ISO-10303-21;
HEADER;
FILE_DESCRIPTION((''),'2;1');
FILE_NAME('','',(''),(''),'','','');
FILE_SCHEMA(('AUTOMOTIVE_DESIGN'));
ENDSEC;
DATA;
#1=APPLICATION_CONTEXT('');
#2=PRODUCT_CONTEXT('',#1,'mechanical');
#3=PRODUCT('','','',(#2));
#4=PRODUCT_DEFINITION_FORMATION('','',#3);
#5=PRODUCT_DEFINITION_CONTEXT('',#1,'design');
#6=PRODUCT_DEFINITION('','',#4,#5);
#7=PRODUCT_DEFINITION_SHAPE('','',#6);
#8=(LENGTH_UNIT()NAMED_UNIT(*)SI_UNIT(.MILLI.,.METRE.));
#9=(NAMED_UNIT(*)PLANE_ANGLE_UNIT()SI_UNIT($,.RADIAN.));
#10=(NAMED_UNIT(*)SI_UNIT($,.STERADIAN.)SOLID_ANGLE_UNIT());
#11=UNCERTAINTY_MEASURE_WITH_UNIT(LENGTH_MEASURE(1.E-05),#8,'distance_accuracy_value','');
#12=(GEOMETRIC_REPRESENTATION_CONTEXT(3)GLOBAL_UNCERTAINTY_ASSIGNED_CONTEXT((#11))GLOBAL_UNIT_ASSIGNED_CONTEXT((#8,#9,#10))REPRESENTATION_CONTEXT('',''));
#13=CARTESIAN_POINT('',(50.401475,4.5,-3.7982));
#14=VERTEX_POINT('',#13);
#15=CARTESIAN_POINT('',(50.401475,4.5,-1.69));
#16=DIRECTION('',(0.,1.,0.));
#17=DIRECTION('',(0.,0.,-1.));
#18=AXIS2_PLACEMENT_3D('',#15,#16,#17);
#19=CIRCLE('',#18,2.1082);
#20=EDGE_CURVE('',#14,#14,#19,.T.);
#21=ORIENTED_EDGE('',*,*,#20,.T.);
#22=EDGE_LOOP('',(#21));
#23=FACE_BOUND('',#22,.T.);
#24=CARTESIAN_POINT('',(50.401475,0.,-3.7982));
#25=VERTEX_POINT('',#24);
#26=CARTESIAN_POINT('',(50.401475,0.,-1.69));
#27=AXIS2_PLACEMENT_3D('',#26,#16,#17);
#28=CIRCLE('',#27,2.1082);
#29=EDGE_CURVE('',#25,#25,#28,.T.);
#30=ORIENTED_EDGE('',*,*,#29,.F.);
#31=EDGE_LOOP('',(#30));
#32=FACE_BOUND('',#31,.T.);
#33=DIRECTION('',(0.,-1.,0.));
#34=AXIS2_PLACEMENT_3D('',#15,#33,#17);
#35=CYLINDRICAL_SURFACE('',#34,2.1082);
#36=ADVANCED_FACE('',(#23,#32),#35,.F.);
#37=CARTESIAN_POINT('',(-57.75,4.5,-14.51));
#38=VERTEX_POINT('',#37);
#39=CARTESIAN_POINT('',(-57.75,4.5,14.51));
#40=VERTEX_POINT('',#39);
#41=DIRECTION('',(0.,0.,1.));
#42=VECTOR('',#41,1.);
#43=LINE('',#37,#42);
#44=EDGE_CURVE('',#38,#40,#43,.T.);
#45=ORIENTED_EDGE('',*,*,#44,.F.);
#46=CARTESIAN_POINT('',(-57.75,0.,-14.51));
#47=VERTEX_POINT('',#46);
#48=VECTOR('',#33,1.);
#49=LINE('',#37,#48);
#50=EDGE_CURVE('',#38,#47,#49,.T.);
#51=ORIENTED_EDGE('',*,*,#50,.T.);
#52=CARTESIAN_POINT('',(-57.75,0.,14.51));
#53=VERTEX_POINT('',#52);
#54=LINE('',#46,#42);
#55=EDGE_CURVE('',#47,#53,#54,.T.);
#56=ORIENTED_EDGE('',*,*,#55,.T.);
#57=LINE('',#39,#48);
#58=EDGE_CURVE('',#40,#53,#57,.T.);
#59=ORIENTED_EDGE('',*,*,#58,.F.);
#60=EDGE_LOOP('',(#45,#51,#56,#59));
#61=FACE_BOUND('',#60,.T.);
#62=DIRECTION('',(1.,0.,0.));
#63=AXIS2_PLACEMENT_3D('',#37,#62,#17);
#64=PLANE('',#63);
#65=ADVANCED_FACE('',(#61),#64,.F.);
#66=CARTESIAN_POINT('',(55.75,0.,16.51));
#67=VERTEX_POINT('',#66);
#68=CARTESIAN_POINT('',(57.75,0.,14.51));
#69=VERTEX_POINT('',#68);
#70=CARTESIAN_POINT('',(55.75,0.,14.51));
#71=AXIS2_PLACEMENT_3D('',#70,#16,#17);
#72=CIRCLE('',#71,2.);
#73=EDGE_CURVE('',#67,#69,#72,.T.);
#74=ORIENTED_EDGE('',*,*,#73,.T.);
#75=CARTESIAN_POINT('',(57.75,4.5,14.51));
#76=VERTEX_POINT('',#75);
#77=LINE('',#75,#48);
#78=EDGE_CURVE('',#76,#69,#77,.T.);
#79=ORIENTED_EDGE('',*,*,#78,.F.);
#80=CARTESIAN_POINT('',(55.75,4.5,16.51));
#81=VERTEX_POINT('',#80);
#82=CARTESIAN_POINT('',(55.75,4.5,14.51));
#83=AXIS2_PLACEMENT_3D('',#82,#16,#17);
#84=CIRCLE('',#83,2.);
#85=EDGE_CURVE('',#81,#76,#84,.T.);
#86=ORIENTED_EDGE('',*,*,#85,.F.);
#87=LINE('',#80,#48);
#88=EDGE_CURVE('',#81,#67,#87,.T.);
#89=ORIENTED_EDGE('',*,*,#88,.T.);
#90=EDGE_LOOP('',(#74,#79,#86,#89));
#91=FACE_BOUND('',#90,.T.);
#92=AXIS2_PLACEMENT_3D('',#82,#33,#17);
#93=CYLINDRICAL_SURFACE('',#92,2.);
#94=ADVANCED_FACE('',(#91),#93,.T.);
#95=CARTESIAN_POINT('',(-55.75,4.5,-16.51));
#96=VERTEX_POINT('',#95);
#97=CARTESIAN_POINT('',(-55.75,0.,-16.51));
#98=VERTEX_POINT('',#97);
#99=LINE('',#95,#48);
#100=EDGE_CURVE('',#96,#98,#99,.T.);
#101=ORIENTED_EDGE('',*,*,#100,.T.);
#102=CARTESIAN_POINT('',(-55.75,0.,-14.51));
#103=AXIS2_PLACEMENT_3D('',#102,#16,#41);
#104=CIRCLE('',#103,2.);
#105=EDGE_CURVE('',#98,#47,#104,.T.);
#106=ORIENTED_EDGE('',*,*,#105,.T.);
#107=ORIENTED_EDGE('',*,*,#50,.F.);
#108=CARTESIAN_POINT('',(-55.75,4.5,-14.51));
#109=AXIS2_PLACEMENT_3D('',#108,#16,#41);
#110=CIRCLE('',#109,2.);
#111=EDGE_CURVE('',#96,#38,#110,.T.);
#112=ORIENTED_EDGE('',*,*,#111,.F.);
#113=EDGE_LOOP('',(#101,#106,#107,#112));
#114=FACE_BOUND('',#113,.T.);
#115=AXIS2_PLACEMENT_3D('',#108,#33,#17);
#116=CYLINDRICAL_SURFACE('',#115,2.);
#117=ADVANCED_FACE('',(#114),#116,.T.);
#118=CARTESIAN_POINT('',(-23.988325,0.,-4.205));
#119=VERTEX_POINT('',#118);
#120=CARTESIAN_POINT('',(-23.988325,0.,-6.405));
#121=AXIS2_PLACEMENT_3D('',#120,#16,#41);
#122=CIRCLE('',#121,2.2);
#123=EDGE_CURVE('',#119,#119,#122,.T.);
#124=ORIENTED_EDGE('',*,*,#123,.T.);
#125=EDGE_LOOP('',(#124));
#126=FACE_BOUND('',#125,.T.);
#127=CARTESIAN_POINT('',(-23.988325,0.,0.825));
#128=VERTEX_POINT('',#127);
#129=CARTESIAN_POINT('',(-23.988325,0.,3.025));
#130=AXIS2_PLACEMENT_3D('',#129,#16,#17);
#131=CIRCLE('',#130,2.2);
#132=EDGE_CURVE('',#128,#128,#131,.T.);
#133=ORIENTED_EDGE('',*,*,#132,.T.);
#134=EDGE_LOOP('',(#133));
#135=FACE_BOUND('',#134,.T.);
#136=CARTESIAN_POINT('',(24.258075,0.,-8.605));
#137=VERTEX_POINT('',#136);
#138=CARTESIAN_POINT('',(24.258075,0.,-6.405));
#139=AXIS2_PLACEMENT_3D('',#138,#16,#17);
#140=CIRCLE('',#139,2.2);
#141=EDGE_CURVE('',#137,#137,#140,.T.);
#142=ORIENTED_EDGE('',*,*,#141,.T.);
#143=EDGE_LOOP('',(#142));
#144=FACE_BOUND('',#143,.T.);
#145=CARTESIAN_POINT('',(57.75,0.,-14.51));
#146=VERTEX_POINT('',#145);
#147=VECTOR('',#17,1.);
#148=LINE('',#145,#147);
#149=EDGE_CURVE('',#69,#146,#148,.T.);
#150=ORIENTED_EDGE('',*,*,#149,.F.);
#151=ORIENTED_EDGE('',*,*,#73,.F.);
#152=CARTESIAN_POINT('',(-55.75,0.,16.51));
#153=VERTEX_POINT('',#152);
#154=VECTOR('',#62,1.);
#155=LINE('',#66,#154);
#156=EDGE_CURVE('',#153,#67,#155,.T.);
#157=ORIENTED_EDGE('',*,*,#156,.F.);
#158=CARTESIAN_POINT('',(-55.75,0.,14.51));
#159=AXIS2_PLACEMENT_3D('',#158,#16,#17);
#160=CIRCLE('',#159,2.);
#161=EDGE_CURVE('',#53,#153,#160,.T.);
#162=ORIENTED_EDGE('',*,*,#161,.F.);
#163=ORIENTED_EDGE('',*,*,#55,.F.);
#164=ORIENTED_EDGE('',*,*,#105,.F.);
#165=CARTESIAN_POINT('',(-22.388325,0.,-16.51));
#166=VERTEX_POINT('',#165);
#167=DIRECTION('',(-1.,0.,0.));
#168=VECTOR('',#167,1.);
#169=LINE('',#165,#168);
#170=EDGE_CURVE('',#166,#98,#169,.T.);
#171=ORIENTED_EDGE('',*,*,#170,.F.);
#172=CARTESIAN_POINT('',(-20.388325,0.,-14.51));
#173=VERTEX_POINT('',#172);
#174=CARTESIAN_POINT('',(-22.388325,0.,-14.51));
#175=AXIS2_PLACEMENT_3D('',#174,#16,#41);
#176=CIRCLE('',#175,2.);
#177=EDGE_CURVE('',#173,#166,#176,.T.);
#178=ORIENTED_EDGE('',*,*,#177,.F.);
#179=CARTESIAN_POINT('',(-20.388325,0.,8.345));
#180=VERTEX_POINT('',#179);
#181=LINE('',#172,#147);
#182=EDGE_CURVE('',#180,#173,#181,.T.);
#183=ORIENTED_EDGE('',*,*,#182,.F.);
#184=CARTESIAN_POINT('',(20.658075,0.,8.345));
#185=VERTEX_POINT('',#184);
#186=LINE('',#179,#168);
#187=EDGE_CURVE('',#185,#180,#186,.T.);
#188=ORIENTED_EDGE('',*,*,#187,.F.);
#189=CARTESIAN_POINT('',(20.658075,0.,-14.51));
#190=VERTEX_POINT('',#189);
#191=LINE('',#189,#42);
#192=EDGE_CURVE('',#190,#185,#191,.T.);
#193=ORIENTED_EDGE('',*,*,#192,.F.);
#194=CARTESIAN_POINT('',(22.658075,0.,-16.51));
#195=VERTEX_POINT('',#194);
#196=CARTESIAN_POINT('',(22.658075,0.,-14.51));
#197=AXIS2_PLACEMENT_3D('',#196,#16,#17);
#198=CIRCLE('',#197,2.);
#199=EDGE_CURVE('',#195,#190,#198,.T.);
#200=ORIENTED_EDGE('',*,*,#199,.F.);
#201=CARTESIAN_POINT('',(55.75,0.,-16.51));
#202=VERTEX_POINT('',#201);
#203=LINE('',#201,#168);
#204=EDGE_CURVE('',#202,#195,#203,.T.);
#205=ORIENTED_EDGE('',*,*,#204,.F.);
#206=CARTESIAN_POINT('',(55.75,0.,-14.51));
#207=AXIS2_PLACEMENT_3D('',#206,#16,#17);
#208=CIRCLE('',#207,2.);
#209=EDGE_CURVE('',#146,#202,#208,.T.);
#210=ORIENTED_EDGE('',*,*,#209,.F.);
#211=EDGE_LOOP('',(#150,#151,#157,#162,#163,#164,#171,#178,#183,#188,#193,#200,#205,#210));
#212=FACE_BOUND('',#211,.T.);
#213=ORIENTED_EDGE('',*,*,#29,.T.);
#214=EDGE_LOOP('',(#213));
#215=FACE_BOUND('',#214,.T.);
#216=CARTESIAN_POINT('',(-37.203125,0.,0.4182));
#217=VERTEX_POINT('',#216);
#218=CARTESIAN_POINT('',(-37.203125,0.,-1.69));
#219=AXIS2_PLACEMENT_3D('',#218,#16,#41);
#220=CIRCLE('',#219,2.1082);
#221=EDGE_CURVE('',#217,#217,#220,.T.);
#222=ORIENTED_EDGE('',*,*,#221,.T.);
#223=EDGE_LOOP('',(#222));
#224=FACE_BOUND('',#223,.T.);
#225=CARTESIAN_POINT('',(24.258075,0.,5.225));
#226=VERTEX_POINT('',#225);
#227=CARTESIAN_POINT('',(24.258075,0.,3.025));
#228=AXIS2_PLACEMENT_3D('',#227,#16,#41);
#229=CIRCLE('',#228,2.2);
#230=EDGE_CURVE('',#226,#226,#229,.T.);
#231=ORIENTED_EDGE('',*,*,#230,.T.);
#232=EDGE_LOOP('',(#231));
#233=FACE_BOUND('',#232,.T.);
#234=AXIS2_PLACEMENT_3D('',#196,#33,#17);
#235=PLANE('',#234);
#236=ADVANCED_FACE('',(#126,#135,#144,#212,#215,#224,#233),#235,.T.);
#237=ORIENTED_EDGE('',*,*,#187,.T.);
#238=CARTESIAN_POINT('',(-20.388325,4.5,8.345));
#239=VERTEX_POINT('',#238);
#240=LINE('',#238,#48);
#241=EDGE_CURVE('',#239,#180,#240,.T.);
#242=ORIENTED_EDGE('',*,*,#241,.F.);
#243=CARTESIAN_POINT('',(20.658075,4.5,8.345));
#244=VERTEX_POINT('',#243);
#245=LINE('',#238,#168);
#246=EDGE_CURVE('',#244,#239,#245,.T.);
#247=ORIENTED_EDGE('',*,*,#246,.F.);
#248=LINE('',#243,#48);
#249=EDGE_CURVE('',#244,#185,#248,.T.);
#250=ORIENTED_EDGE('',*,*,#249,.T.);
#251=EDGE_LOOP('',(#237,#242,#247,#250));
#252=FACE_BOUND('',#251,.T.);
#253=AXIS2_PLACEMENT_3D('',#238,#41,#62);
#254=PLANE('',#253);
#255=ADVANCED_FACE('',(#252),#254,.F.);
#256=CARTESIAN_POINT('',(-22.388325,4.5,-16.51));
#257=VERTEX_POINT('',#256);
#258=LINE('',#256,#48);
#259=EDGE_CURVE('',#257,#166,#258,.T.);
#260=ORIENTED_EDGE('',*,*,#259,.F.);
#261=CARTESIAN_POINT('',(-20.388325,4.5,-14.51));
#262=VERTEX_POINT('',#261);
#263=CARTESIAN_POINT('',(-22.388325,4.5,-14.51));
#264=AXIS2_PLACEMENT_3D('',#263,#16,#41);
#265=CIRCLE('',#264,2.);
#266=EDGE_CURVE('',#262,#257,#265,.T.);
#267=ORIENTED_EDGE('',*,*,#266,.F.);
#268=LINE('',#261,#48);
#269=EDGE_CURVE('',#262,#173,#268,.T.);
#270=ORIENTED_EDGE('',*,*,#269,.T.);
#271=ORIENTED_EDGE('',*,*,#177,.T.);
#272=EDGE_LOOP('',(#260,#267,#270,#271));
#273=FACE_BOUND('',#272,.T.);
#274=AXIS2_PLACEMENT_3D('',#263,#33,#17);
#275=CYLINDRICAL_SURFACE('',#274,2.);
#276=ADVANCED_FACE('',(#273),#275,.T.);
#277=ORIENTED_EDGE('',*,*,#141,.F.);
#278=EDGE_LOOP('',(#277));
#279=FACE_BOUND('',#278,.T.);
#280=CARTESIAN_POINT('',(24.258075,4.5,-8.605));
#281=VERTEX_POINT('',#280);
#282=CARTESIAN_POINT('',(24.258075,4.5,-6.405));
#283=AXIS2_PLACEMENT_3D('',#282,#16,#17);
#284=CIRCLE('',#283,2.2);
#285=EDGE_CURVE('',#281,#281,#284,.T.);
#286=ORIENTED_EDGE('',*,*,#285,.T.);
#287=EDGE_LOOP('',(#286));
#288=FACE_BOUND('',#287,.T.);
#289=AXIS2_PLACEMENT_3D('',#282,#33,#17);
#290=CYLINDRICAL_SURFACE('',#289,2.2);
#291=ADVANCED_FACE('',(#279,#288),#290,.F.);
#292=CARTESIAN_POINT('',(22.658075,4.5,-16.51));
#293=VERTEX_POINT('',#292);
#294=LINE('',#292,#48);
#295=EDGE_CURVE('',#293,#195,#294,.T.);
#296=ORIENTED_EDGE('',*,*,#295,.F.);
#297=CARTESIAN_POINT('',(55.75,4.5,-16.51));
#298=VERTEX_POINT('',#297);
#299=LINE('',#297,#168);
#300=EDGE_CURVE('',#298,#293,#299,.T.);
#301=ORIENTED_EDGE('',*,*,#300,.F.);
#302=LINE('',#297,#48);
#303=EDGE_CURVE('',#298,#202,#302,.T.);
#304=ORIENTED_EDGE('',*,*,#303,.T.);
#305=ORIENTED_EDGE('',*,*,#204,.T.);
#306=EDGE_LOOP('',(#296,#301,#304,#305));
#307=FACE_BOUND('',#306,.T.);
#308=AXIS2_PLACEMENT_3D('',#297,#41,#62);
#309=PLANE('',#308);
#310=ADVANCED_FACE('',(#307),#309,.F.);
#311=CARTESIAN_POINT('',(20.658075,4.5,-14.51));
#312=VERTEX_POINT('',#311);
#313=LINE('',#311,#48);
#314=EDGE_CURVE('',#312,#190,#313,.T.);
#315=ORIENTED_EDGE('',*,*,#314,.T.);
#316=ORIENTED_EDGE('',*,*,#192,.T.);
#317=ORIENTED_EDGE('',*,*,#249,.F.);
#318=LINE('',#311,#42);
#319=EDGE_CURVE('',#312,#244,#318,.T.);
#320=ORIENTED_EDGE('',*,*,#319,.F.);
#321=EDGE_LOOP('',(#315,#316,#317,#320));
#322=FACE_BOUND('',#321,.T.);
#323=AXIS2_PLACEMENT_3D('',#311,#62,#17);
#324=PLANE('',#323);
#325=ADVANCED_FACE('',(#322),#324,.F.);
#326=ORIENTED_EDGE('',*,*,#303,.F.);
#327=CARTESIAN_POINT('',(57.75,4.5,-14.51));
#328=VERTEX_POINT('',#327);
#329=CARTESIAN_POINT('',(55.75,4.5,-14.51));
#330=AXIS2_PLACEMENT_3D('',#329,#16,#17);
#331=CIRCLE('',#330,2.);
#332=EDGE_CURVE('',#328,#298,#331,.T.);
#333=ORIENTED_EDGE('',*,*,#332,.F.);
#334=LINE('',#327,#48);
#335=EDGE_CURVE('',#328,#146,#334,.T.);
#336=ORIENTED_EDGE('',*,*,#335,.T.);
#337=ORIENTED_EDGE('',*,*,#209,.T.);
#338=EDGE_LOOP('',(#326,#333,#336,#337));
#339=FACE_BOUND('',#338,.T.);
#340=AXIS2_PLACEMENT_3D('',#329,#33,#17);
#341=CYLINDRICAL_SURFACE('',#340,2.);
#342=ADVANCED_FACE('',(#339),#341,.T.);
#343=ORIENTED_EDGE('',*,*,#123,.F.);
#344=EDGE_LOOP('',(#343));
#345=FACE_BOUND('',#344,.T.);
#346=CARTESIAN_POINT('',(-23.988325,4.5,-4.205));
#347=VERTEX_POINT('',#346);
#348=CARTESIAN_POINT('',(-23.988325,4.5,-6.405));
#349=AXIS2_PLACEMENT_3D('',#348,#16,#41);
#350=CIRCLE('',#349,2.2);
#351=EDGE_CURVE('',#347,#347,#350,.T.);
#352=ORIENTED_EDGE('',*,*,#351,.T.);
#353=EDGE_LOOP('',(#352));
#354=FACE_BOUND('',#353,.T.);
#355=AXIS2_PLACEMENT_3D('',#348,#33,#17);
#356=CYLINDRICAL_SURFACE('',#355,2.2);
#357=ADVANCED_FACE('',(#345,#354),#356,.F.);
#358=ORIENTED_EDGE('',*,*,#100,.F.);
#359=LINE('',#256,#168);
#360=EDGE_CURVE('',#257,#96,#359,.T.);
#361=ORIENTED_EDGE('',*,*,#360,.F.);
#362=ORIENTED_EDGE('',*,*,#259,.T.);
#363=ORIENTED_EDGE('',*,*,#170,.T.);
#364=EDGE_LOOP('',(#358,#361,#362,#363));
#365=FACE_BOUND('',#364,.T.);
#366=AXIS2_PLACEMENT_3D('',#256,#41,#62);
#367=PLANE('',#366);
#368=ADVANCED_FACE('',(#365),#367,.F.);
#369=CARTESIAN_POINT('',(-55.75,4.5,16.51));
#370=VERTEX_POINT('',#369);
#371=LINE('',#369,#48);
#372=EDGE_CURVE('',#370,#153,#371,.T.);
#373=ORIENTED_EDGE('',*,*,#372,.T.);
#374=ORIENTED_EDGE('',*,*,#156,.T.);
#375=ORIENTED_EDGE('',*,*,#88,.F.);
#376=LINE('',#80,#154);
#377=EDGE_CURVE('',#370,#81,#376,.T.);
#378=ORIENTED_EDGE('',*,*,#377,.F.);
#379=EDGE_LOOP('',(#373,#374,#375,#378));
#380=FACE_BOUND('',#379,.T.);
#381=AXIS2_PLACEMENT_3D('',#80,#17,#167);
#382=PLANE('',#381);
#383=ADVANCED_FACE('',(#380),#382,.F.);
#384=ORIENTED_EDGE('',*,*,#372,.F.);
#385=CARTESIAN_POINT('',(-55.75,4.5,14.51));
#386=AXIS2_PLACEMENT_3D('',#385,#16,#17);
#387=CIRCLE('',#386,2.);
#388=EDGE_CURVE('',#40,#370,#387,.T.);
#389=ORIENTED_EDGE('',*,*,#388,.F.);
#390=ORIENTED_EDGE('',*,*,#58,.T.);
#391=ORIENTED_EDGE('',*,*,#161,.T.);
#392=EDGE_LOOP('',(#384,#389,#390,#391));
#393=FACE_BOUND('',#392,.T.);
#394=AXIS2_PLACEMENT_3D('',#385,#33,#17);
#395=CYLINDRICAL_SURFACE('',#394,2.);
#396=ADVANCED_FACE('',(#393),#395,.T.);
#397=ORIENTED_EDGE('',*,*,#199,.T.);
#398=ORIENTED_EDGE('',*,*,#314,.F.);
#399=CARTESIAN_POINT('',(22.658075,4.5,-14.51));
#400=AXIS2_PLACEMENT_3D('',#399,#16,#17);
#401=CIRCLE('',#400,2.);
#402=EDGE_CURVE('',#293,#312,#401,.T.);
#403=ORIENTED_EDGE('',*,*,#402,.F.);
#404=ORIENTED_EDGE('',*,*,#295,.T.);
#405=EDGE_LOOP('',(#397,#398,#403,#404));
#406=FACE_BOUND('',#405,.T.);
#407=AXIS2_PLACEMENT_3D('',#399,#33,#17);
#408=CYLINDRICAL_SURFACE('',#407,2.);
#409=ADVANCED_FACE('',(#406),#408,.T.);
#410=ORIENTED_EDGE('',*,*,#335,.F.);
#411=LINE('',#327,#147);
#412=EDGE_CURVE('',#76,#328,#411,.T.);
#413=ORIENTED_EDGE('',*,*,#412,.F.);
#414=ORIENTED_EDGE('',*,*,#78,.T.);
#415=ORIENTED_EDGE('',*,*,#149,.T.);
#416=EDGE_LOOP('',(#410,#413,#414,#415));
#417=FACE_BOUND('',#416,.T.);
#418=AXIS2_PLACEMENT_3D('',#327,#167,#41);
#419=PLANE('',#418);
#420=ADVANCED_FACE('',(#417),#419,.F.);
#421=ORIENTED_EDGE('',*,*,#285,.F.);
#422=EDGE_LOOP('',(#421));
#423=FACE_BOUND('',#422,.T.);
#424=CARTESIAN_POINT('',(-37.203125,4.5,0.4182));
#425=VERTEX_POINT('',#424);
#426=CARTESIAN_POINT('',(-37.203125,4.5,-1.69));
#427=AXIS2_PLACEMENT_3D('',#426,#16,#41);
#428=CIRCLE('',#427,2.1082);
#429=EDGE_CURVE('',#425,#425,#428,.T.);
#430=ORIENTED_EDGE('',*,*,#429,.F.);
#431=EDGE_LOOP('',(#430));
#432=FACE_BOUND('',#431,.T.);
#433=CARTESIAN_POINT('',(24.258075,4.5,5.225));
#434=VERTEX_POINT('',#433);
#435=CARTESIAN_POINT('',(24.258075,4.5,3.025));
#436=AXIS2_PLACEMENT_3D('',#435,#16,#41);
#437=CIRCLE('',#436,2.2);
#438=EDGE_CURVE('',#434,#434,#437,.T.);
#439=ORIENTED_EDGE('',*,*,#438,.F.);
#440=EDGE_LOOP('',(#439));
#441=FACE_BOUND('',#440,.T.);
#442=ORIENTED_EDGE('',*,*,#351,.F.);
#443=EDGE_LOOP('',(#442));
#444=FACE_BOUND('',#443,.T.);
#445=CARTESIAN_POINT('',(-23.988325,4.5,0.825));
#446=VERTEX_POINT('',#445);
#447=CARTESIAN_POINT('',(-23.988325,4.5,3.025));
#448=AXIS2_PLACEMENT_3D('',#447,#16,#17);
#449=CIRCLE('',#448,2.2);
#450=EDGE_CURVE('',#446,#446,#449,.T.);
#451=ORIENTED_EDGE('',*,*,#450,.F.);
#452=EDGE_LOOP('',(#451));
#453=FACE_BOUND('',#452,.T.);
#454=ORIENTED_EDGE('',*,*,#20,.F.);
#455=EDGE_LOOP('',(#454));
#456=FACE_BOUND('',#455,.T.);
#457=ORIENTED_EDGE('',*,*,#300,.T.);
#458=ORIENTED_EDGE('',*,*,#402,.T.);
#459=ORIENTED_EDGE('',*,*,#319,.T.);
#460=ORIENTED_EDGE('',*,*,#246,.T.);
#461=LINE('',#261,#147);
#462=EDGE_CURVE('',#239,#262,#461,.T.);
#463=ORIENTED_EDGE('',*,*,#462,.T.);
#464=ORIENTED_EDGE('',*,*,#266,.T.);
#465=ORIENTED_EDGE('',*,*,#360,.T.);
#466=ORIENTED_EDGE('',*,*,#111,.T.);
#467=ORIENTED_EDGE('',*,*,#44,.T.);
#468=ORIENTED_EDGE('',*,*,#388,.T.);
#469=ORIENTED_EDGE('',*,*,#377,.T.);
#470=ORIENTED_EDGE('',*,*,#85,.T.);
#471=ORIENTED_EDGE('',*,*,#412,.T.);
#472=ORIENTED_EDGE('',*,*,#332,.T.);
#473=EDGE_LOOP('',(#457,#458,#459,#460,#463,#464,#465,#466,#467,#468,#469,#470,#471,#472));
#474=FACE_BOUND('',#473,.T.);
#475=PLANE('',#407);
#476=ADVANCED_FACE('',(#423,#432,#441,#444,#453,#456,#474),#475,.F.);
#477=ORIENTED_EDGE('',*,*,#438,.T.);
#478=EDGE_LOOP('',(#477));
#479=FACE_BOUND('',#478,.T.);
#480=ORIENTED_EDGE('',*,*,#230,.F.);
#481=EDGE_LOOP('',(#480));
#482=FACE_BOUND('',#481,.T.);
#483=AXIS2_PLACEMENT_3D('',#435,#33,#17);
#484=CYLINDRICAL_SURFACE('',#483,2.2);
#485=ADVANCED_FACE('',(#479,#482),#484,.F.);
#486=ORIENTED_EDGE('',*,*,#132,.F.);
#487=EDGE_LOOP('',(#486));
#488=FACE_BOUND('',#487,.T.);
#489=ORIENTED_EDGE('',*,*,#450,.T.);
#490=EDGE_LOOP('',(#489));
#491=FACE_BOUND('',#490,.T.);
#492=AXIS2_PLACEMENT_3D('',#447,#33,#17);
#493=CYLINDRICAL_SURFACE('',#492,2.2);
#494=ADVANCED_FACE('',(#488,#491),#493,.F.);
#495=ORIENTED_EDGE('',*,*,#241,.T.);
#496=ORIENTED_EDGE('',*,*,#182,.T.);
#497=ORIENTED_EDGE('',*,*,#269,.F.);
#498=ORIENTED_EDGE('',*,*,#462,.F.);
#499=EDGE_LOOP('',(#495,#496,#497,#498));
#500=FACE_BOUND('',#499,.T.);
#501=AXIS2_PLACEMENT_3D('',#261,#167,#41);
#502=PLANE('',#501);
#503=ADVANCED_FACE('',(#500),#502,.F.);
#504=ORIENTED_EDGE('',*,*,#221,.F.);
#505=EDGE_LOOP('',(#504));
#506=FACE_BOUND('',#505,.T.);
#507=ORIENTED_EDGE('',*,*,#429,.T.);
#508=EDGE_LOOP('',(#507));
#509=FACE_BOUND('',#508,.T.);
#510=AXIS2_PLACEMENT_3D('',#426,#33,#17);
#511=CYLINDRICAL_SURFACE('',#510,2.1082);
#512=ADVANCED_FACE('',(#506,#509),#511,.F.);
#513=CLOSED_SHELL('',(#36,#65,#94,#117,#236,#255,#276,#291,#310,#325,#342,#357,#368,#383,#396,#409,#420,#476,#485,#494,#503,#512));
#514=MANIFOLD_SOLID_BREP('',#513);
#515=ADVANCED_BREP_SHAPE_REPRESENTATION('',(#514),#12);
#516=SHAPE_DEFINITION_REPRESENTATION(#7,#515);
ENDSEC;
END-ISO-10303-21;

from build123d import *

# Parameters (mm, degrees)
SKETCH1_R           = 2.1082
SKETCH1_R_2         = 2.2
BOSS_EXTRUDE1_DEPTH = 4.5


with BuildPart() as part:
    # Sketch1 → Boss-Extrude1 (new body)
    with BuildSketch(Plane(origin=(0, 0, 0), x_dir=(1, 0, 0), z_dir=(0, 1, 0))):
        with BuildLine():
            Line((55.75, 16.51), (22.65807516, 16.51))
            ThreePointArc((22.65807516, 16.51), (21.243861598, 15.924213562), (20.65807516, 14.51))
            Line((20.65807516, 14.51), (20.65807516, -8.345000078))
            Line((20.65807516, -8.345000078), (-20.38832484, -8.345000078))
            Line((-20.38832484, -8.345000078), (-20.38832484, 14.51))
            ThreePointArc((-20.38832484, 14.51), (-20.974111278, 15.924213562), (-22.38832484, 16.51))
            Line((-22.38832484, 16.51), (-55.75, 16.51))
            ThreePointArc((-55.75, 16.51), (-57.164213562, 15.924213562), (-57.75, 14.51))
            Line((-57.75, 14.51), (-57.75, -14.51))
            ThreePointArc((-57.75, -14.51), (-57.164213562, -15.924213562), (-55.75, -16.51))
            Line((-55.75, -16.51), (55.75, -16.51))
            ThreePointArc((55.75, -16.51), (57.164213562, -15.924213562), (57.75, -14.51))
            Line((57.75, -14.51), (57.75, 14.51))
            ThreePointArc((57.75, 14.51), (57.164213562, 15.924213562), (55.75, 16.51))
        make_face()
        with Locations(Location((-37.20312484, 1.689999922, 0), (0, 0, 270))):
            Circle(SKETCH1_R, mode=Mode.SUBTRACT)
        with Locations(Location((50.40147516, 1.689999922, 0), (0, 0, 90))):
            Circle(SKETCH1_R, mode=Mode.SUBTRACT)
        with Locations(Location((-23.988324752, 6.404999922, 0), (0, 0, 270))):
            Circle(SKETCH1_R_2, mode=Mode.SUBTRACT)
        with Locations(Location((24.258075072, 6.404999922, 0), (0, 0, 90))):
            Circle(SKETCH1_R_2, mode=Mode.SUBTRACT)
        with Locations(Location((24.258075072, -3.025000078, 0), (0, 0, 270))):
            Circle(SKETCH1_R_2, mode=Mode.SUBTRACT)
        with Locations(Location((-23.988324752, -3.025000078, 0), (0, 0, 90))):
            Circle(SKETCH1_R_2, mode=Mode.SUBTRACT)
    extrude(amount=BOSS_EXTRUDE1_DEPTH)


solid = part.part
